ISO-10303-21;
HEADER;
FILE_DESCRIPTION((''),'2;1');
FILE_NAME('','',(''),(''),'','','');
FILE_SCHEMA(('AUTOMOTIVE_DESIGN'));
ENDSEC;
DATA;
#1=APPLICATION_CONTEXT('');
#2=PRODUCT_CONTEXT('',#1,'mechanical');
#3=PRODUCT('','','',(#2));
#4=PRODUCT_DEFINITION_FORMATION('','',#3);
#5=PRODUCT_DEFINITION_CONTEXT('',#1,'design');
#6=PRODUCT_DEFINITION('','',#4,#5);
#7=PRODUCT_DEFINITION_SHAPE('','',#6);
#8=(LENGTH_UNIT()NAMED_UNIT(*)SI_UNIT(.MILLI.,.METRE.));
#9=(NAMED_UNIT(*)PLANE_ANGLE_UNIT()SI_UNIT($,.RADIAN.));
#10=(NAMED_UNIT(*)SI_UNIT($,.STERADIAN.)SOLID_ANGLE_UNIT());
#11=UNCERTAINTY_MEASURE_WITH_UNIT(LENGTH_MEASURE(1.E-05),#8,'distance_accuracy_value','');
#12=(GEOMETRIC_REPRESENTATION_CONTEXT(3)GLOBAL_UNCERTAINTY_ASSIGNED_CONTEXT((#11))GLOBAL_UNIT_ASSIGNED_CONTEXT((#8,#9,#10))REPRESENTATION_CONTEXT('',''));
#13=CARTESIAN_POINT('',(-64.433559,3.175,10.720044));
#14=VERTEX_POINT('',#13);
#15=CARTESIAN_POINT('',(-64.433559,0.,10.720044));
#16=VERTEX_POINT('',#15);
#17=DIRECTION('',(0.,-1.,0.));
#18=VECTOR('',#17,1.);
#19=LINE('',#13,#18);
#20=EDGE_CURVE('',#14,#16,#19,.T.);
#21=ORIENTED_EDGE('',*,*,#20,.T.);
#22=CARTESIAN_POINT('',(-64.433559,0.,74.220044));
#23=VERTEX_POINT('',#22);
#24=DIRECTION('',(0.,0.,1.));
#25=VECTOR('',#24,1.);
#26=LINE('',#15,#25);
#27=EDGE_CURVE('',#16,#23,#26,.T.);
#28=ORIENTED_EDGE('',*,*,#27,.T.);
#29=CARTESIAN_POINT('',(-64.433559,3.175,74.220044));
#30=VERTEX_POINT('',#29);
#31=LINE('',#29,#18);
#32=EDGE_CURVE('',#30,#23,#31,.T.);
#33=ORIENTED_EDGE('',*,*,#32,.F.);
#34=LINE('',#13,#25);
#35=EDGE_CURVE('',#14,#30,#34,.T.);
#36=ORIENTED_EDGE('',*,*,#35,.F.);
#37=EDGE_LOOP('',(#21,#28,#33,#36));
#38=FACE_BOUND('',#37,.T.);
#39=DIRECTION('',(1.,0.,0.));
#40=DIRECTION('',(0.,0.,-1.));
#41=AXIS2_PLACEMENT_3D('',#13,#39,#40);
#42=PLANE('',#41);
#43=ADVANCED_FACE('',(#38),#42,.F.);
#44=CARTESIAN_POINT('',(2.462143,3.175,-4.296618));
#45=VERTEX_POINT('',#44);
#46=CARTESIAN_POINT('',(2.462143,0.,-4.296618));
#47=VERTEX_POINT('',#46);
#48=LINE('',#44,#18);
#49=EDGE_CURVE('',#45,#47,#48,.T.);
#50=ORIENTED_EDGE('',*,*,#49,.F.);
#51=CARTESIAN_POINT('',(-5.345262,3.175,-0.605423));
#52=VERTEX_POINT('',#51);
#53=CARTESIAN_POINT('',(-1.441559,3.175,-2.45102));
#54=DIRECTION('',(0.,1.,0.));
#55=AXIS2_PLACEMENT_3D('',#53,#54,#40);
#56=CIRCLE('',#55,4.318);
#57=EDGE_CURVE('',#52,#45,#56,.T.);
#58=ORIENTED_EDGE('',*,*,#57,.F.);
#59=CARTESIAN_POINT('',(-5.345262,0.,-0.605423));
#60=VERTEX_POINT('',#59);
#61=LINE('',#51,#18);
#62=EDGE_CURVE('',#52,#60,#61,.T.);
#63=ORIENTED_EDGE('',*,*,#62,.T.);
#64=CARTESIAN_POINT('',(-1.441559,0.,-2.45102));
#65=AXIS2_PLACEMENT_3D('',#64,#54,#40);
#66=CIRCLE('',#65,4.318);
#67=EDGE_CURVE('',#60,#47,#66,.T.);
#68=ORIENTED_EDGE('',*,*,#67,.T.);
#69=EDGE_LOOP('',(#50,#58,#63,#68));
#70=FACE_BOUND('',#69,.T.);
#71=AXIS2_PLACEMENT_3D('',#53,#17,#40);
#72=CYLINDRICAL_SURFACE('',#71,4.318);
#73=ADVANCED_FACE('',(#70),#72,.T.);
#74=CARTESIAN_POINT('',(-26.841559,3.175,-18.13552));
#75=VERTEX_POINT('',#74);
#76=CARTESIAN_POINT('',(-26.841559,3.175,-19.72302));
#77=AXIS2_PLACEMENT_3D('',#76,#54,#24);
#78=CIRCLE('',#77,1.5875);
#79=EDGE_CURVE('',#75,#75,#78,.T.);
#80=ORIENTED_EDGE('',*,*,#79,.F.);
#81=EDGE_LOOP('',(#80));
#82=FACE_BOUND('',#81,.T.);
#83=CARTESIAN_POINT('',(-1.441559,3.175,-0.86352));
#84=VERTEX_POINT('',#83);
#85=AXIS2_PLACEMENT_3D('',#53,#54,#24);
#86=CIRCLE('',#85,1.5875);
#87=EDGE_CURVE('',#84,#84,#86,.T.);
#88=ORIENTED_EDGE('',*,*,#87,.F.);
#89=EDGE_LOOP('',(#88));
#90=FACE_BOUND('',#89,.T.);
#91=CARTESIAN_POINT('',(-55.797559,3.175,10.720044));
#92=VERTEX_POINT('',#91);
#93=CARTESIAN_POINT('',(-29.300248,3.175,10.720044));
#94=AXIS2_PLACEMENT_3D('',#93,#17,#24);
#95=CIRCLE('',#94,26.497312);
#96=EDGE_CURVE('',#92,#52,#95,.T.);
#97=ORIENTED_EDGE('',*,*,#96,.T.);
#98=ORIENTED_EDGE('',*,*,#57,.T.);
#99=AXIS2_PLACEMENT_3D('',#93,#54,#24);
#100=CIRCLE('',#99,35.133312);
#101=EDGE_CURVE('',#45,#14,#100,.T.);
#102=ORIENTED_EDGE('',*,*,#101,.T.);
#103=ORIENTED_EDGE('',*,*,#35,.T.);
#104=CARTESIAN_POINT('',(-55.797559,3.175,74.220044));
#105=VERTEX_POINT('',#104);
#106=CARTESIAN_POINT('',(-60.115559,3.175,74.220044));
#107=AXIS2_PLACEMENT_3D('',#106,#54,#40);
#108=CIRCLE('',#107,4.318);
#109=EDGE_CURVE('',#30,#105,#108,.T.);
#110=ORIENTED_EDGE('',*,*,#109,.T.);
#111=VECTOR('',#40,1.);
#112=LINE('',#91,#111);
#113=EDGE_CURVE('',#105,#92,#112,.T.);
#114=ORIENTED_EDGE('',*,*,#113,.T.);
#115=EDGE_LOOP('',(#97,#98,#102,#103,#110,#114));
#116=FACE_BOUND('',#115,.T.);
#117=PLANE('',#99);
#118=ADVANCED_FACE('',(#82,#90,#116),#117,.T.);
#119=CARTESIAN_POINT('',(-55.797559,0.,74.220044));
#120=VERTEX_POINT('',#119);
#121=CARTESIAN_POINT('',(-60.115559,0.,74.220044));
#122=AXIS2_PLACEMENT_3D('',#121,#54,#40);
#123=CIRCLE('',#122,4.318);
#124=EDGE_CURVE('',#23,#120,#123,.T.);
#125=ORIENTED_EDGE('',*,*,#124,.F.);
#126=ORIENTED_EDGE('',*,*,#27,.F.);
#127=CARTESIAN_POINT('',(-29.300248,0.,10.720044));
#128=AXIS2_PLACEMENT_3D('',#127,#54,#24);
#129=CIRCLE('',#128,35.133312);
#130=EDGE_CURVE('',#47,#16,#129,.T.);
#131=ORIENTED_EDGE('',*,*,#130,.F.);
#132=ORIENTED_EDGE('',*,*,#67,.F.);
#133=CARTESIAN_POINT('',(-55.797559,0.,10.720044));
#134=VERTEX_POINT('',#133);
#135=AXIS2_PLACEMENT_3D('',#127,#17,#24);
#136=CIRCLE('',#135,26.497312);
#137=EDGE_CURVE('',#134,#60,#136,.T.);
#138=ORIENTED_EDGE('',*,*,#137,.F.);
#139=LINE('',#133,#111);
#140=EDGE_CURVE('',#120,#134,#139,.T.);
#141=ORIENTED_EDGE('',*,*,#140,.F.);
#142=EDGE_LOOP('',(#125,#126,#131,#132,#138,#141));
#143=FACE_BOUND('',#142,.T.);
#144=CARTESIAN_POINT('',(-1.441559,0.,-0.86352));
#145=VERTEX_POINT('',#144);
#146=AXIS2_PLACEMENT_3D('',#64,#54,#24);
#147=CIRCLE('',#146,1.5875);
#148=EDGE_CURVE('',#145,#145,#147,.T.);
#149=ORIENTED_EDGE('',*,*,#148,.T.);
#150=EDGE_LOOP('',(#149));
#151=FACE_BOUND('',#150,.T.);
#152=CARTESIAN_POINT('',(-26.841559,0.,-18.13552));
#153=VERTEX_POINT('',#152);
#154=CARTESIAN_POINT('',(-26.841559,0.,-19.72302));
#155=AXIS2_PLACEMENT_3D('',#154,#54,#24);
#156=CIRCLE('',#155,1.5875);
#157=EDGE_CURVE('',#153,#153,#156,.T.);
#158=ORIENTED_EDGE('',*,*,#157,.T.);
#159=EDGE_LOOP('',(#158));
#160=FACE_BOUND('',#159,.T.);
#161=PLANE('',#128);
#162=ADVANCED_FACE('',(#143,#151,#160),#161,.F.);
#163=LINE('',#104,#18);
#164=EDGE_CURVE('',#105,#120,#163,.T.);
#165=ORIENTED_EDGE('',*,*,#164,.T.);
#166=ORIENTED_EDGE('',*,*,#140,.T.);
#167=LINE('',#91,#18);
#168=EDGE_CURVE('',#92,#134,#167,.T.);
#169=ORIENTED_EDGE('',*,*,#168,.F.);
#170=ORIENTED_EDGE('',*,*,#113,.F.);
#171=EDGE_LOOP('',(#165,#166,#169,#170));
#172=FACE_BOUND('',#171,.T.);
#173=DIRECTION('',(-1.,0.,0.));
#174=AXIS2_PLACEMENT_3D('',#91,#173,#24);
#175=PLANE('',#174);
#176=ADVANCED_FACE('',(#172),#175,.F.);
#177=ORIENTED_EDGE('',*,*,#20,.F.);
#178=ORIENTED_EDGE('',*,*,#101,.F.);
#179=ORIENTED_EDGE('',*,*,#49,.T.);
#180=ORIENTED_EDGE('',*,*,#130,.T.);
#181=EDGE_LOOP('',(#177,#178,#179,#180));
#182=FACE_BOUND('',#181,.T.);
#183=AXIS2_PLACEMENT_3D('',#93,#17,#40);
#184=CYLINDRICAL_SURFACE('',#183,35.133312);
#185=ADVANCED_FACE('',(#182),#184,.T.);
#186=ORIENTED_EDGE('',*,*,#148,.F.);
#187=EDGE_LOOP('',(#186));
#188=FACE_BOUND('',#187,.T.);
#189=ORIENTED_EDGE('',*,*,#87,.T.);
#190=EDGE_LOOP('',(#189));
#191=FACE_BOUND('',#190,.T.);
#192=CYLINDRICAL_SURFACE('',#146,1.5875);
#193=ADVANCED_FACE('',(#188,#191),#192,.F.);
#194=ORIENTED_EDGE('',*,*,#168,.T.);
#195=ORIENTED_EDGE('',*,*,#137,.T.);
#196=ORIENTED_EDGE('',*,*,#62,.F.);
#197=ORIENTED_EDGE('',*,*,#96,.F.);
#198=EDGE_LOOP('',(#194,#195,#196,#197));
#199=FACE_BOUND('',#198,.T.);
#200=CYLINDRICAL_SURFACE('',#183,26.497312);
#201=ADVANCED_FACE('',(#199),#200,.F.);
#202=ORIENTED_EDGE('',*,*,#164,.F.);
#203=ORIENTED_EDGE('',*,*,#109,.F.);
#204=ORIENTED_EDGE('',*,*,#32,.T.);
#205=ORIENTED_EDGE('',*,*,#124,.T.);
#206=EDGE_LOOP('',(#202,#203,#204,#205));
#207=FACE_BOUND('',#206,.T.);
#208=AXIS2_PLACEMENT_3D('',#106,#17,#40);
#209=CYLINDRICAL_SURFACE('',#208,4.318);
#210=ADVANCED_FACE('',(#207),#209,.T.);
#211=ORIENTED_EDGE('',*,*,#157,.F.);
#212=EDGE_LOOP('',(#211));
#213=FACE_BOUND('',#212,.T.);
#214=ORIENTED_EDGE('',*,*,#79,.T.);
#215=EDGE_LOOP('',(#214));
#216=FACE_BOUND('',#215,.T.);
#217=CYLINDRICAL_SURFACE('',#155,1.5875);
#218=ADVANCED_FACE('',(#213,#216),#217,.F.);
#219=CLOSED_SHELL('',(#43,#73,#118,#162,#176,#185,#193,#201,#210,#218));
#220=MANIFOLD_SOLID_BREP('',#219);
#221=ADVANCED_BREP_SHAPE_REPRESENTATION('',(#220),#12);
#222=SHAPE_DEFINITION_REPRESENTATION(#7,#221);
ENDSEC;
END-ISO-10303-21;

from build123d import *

# Parameters (mm, degrees)
BOSS_EXTRUDE1_DEPTH = 3.175
SKETCH5_R           = 1.5875
CUT_EXTRUDE1_DEPTH  = 4.175


with BuildPart() as part:
    # Sketch2 → Boss-Extrude1 (new body)
    with BuildSketch(Plane(origin=(0, 0, 0), x_dir=(1, 0, 0), z_dir=(0, 1, 0))):
        with BuildLine():
            Line((-64.433559451, -10.720044429), (-64.433559451, -74.220044429))
            ThreePointArc((-64.433559451, -74.220044429), (-60.115559451, -78.538044429), (-55.797559451, -74.220044429))
            Line((-55.797559451, -74.220044429), (-55.797559451, -10.720044429))
            ThreePointArc((-55.797559451, -10.720044429), (-35.103902349, 15.133874618), (-5.345262109, 0.605423034))
            ThreePointArc((-5.345262109, 0.605423034), (0.404037892, -1.452682281), (2.462143207, 4.296617721))
            ThreePointArc((2.462143207, 4.296617721), (-36.995428675, 23.560180104), (-64.433559451, -10.720044429))
        make_face()
    extrude(amount=BOSS_EXTRUDE1_DEPTH)

    # Sketch5 → Cut-Extrude1 (cut, through all)
    with BuildSketch(Plane(origin=(0, 3.175, 0), x_dir=(1, 0, 0), z_dir=(0, 1, 0))):
        with Locations((-26.841559451, 19.723020377)):
            Circle(SKETCH5_R)
        with Locations((-1.441559451, 2.451020377)):
            Circle(SKETCH5_R)
    extrude(amount=-CUT_EXTRUDE1_DEPTH, mode=Mode.SUBTRACT)


solid = part.part
